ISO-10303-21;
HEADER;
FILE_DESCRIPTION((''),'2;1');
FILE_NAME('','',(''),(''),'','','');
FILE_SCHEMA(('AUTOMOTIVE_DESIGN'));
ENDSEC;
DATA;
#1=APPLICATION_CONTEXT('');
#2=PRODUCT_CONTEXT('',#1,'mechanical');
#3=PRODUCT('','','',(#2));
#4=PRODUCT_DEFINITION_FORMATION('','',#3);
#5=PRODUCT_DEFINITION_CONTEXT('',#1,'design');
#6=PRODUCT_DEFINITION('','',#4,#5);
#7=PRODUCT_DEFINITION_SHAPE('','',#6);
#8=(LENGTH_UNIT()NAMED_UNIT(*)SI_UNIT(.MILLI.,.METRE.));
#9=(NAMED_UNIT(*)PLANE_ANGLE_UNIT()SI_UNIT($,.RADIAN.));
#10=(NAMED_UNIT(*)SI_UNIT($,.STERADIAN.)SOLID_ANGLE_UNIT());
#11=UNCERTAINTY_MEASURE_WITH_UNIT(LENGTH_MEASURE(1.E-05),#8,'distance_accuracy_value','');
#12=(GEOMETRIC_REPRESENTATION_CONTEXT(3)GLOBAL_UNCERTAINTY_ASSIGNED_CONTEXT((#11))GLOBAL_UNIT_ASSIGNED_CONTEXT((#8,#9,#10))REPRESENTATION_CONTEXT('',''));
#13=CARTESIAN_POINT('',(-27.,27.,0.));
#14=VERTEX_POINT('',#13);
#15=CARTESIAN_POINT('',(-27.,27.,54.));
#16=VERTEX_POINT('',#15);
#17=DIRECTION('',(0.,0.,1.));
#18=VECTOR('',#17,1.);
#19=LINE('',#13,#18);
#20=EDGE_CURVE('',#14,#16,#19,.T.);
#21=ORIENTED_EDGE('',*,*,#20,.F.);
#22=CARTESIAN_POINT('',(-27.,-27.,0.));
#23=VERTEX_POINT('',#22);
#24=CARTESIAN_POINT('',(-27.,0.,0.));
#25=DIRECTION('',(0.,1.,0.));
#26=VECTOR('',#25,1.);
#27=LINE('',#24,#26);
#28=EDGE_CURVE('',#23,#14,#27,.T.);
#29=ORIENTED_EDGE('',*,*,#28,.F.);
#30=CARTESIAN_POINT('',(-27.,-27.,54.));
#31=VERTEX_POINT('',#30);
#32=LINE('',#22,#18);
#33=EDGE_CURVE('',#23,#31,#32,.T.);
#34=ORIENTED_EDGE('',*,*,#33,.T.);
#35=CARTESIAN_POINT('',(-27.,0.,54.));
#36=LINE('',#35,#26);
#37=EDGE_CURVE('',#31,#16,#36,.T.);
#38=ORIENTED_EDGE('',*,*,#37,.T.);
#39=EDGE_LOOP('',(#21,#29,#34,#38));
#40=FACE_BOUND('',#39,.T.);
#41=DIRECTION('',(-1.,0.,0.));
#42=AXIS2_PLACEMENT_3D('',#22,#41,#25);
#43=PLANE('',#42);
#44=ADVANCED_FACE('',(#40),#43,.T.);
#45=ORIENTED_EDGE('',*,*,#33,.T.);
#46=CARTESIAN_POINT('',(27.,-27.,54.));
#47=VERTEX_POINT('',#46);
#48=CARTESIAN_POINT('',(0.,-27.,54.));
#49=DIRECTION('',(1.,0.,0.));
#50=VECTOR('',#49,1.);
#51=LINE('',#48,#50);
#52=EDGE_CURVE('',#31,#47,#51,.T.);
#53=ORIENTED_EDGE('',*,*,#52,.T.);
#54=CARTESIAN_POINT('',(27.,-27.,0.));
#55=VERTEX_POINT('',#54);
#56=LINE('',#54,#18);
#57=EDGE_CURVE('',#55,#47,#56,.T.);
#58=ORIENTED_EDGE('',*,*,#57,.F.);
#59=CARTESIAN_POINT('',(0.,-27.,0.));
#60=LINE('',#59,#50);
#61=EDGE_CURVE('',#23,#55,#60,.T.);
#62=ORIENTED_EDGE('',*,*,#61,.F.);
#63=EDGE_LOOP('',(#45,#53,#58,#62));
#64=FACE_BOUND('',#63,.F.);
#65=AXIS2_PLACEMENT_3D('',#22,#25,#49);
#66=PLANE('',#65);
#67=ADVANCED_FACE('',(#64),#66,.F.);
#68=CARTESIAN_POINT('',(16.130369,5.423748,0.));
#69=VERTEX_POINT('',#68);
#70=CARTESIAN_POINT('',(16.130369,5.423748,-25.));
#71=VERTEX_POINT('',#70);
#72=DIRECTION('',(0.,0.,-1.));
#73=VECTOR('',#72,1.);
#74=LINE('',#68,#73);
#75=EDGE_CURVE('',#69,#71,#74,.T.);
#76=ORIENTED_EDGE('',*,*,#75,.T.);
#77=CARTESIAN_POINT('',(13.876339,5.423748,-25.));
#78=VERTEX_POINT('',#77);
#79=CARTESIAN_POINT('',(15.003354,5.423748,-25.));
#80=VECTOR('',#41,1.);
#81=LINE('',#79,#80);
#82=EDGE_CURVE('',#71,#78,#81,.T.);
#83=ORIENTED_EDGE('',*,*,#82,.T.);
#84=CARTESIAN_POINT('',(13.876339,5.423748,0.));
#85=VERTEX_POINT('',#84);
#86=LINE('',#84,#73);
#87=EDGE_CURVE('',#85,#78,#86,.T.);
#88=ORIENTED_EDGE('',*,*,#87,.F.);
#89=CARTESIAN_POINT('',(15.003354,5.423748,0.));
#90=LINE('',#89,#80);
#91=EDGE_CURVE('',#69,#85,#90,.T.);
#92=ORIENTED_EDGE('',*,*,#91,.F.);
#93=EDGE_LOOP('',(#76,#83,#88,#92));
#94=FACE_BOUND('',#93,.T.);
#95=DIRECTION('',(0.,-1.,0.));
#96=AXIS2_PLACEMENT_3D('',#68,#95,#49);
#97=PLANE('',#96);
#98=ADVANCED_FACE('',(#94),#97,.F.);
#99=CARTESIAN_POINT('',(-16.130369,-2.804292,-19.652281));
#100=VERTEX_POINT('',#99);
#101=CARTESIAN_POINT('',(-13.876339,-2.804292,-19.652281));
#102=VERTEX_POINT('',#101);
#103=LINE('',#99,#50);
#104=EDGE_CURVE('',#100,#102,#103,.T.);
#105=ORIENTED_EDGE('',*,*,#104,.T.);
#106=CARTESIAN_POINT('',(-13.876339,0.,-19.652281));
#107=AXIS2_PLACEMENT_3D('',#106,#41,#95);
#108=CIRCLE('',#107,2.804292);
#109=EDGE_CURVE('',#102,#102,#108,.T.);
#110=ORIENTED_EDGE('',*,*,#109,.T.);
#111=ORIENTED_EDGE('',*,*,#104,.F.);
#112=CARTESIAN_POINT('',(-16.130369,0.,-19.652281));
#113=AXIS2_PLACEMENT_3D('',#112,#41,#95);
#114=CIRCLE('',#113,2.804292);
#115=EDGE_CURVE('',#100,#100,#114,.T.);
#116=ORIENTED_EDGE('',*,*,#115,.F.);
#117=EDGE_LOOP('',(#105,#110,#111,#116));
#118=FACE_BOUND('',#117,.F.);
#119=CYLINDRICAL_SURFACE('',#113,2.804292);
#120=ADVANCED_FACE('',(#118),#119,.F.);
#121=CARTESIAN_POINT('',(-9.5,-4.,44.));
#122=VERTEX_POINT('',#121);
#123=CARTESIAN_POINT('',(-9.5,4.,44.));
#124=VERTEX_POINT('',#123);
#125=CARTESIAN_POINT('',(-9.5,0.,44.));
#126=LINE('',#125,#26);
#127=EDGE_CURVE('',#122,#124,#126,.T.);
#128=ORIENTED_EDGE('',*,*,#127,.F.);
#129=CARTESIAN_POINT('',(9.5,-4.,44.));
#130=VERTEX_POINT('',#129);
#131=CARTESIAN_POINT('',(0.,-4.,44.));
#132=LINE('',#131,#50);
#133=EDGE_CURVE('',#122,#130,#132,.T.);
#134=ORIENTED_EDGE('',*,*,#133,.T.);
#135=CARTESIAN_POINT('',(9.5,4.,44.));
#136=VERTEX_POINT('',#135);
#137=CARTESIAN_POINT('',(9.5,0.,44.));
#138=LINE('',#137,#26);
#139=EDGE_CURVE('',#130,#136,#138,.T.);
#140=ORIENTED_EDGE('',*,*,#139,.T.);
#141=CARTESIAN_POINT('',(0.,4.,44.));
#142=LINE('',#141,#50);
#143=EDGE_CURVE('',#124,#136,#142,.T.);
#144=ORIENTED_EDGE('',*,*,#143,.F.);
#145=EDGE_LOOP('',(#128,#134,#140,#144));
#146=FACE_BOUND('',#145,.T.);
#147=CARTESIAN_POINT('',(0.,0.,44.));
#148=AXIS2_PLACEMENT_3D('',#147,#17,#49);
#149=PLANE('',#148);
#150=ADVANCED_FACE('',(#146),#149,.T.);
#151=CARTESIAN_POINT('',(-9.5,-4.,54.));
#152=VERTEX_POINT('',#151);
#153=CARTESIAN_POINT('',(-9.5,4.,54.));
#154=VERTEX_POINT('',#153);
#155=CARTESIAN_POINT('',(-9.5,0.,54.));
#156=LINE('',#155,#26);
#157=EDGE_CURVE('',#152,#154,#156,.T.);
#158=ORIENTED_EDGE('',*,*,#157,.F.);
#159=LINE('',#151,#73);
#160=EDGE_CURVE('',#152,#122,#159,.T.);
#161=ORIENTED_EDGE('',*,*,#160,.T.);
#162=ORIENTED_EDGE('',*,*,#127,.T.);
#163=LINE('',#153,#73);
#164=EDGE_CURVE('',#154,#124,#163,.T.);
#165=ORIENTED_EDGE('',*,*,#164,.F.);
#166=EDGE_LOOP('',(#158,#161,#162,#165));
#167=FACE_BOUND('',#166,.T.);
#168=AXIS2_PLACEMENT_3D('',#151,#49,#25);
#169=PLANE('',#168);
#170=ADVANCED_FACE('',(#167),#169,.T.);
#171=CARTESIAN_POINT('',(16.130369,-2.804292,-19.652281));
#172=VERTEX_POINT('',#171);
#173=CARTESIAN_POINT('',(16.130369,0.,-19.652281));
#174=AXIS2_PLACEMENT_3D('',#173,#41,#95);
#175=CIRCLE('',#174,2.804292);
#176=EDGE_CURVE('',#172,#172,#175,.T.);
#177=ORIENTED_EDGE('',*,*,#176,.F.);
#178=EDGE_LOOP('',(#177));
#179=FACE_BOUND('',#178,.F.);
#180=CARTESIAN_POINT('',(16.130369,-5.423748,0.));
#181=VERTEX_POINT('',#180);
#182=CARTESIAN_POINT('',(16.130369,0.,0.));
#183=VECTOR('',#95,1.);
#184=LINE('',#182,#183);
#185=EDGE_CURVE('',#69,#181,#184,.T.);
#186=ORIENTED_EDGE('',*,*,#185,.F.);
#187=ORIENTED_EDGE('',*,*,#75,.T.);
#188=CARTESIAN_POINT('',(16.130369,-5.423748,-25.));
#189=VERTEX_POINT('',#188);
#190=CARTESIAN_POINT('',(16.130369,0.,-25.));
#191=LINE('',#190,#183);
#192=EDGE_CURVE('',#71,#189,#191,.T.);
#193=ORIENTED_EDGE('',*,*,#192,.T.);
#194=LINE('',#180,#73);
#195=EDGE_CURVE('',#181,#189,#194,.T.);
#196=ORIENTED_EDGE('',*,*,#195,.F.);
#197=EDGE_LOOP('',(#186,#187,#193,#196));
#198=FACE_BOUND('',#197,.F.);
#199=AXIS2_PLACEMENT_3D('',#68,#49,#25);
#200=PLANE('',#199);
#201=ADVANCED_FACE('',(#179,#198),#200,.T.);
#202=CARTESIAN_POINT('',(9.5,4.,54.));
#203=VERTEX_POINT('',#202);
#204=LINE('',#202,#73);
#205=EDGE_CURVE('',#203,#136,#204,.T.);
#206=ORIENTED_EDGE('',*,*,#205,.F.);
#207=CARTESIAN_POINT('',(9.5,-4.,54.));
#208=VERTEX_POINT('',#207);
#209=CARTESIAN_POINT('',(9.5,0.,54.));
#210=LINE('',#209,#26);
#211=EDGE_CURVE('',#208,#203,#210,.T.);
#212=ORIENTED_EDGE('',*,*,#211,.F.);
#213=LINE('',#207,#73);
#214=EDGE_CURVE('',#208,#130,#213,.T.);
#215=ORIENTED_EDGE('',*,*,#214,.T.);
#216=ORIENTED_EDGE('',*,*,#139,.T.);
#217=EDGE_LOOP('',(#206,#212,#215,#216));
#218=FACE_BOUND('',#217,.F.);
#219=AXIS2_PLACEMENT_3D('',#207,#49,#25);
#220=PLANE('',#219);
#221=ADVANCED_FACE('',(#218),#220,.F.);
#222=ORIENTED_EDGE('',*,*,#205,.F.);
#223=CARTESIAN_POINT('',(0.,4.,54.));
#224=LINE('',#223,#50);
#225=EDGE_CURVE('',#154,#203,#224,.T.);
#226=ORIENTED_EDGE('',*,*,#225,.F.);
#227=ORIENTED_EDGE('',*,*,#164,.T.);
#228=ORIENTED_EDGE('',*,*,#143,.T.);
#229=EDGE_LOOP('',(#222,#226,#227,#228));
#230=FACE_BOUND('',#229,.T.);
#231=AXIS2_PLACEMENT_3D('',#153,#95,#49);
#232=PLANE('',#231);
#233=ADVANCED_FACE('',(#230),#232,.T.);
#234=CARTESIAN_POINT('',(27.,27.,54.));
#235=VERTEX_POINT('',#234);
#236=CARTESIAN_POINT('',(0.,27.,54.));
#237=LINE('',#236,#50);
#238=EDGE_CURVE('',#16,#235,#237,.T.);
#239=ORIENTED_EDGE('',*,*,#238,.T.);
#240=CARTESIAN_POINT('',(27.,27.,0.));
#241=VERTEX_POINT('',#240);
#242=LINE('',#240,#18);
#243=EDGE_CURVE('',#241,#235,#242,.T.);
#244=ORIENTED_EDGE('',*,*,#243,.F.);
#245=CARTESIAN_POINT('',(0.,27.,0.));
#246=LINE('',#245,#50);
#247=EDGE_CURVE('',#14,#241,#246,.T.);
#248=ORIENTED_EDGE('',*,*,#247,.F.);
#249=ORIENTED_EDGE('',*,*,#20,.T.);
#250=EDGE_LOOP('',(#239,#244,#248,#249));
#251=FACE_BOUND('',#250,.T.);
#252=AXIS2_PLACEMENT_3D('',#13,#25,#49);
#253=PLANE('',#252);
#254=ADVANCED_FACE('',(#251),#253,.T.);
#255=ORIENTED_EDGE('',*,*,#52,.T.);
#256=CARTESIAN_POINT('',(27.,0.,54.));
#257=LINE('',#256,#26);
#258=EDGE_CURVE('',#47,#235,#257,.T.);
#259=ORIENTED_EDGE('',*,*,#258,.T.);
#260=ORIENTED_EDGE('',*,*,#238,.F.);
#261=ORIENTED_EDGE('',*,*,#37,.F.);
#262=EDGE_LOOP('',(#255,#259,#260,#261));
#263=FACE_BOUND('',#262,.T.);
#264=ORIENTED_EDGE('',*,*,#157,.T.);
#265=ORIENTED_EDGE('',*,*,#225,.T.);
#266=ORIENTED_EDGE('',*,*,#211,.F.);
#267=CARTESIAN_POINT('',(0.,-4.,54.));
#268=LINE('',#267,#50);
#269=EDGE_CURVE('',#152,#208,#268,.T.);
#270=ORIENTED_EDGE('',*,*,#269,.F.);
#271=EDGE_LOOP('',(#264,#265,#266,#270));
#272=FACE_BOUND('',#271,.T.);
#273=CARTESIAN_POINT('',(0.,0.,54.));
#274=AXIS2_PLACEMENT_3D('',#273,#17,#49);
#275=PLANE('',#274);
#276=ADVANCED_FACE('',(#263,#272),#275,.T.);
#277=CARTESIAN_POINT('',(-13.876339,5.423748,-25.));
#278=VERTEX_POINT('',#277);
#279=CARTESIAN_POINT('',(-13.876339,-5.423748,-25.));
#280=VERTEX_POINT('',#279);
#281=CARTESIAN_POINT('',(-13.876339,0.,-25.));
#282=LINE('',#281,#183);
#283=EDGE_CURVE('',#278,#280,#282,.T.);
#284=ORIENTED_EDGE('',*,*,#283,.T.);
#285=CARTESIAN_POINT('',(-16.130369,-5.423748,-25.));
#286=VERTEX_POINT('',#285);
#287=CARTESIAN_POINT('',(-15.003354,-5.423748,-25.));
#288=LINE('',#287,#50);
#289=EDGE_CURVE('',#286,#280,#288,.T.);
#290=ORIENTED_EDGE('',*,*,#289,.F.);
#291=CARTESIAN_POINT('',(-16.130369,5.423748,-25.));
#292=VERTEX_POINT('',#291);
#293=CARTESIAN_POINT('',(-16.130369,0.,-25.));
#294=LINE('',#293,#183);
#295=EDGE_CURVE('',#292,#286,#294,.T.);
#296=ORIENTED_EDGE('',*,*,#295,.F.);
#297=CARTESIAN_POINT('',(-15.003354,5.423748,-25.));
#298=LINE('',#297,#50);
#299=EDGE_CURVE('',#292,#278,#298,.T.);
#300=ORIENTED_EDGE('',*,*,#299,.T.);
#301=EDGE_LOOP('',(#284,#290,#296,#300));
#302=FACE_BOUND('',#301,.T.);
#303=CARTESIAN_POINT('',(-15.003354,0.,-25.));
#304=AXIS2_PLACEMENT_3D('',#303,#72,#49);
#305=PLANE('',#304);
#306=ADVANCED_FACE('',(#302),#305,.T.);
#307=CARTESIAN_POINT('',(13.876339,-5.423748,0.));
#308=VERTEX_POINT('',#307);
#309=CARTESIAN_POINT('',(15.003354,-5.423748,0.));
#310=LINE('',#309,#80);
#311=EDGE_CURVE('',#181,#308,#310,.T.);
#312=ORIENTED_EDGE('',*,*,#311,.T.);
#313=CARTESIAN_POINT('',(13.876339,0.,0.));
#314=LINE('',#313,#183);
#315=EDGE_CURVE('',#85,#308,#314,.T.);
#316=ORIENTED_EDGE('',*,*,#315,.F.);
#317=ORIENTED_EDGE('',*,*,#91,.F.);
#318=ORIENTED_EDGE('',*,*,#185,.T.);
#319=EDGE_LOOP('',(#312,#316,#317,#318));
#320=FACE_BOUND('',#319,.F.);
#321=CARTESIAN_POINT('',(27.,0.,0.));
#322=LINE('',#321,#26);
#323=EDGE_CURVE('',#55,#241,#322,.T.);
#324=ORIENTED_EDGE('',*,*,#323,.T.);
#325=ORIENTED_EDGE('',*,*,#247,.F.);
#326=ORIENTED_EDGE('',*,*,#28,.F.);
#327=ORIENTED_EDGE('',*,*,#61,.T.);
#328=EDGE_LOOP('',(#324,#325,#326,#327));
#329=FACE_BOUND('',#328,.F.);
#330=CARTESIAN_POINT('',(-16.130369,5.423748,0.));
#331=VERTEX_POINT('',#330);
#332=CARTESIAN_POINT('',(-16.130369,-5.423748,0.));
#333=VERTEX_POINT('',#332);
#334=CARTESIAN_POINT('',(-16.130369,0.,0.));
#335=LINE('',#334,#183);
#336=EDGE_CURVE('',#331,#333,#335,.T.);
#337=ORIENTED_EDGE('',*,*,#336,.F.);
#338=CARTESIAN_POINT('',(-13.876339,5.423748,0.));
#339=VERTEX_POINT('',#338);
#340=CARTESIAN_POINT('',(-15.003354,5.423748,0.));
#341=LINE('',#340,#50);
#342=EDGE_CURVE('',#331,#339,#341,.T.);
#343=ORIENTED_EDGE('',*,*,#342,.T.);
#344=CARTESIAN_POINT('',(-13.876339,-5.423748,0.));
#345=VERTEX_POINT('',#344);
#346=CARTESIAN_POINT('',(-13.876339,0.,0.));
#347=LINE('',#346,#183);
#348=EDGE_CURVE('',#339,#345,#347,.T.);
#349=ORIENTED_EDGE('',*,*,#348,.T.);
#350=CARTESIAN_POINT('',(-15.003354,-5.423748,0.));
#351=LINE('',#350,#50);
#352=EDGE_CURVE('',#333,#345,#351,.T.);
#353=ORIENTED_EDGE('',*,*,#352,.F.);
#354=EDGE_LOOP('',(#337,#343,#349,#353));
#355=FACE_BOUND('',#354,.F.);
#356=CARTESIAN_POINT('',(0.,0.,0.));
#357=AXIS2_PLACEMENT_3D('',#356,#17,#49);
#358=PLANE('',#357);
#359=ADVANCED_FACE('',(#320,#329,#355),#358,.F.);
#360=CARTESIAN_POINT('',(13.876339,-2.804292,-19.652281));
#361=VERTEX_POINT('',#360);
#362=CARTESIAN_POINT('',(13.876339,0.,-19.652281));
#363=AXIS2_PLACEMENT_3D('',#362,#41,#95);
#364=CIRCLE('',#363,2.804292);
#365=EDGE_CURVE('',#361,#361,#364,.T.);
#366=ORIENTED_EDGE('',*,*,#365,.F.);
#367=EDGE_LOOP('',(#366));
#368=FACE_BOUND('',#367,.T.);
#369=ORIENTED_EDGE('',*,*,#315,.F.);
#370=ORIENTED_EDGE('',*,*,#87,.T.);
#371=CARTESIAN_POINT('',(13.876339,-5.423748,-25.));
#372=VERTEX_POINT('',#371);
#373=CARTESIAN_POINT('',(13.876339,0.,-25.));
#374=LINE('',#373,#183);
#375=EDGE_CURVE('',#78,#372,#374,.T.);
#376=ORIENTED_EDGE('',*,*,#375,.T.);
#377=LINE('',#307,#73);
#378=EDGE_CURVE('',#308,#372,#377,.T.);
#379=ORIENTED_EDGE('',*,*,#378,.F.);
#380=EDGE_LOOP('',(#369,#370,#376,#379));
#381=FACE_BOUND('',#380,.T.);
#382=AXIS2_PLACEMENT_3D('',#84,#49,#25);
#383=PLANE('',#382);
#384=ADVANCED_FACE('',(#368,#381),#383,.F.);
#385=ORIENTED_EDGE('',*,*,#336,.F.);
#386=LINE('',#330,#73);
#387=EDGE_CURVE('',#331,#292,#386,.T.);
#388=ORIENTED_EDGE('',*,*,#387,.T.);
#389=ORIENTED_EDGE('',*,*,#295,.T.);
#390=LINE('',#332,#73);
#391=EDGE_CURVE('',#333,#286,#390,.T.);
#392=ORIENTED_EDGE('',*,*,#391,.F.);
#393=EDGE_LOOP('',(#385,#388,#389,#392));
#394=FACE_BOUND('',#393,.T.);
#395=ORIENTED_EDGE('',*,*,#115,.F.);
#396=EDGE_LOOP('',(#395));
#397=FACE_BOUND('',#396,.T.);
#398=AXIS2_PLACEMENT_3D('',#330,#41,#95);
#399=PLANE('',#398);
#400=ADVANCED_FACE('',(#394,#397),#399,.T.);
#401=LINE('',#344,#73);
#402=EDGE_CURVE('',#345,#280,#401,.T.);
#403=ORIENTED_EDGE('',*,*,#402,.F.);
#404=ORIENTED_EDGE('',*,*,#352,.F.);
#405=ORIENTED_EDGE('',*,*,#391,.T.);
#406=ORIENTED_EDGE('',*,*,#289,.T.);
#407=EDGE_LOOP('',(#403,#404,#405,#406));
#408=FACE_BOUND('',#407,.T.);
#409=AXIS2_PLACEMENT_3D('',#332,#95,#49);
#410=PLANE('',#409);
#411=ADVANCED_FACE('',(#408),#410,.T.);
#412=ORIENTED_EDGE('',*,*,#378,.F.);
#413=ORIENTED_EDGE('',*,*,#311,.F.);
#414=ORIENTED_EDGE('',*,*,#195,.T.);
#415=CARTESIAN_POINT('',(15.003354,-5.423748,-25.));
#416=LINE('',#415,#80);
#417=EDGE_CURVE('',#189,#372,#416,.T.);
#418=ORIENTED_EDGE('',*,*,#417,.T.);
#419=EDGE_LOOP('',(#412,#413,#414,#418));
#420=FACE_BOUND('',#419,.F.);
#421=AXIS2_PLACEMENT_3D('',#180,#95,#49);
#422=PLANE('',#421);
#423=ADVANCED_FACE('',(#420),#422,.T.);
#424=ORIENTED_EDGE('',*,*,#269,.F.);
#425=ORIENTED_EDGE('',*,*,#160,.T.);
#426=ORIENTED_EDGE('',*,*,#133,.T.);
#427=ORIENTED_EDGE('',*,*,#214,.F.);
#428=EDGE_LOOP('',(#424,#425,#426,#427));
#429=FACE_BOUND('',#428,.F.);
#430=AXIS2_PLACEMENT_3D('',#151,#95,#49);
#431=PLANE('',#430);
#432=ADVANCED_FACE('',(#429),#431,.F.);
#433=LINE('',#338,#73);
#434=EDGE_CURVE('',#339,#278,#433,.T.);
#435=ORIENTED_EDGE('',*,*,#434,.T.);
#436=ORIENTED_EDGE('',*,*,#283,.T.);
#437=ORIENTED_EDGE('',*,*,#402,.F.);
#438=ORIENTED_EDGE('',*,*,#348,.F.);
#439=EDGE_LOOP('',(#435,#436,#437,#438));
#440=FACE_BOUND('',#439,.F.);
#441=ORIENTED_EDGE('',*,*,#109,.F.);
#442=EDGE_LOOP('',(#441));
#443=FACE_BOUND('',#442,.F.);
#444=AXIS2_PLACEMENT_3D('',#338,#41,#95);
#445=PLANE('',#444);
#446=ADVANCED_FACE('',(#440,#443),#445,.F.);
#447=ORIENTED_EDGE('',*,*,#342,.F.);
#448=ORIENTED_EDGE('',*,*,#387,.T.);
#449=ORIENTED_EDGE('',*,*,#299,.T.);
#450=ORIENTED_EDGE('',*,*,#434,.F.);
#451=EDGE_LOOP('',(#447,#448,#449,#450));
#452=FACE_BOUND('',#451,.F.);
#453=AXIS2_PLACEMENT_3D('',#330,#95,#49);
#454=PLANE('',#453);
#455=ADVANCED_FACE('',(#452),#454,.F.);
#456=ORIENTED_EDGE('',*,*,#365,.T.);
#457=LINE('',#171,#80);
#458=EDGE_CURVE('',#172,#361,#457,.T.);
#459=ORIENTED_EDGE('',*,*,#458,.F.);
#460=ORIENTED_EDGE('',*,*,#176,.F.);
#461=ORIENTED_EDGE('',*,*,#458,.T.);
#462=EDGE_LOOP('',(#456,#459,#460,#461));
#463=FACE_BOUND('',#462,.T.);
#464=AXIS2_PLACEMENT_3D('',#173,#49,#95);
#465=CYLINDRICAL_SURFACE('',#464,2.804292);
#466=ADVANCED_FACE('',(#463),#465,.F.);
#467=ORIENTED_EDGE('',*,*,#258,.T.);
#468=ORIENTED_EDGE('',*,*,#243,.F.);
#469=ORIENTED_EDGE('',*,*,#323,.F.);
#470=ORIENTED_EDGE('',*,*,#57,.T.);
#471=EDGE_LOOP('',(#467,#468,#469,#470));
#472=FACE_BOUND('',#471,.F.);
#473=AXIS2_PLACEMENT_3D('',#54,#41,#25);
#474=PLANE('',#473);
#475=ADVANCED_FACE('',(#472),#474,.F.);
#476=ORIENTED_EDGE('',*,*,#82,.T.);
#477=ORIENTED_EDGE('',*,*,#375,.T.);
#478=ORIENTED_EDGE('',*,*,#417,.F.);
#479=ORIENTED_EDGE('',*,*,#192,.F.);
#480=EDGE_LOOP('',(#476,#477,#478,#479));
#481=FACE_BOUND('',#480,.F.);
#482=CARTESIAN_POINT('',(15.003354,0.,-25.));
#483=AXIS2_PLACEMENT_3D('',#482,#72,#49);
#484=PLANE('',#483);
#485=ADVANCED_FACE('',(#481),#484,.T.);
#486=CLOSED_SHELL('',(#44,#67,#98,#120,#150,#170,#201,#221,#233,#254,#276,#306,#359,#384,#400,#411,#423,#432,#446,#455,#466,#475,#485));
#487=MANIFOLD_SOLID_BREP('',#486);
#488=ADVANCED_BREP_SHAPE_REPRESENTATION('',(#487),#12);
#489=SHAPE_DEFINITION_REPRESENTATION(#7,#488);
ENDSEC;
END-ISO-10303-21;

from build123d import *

# Parameters (mm, degrees)
F0_W     = 54
F0_H     = 54
F1_DEPTH = 54
F2_W     = 19
F2_H     = 8
F3_DEPTH = 10
F4_W     = 2.25403
F4_H     = 10.847496
F5_DEPTH = 25
F6_R     = 2.804292
F7_DEPTH = 3


with BuildPart() as f1:
    # F0 (on Top) → F1 (new body)
    with BuildSketch(Plane.XY):
        Rectangle(F0_W, F0_H)
    extrude(amount=F1_DEPTH)

    # F2 (on face) → F3 (cut)
    with BuildSketch(Plane.XY.offset(54)):
        Rectangle(F2_W, F2_H)
    extrude(amount=-F3_DEPTH, mode=Mode.SUBTRACT)

    # F4 (on face) → F5 (join)
    with BuildSketch(Plane(origin=(0, 0, 0), x_dir=(1, 0, 0), z_dir=(0, 0, -1))):
        with Locations((-15.003354, 0)):
            Rectangle(F4_W, F4_H)
    extrude(amount=F5_DEPTH)

    # F6 (on face) → F7 (cut)
    with BuildSketch(Plane(origin=(-16.130369, 0, 0), x_dir=(0, -1, 0), z_dir=(-1, 0, 0))):
        with Locations((0, -19.652281)):
            Circle(F6_R)
    extrude(amount=-F7_DEPTH, mode=Mode.SUBTRACT)

    # F8: F1 across plane


with BuildPart() as f1_1:
    add(f1.part)
    add(f1.part.mirror(Plane.YZ))


solid = f1_1.part
